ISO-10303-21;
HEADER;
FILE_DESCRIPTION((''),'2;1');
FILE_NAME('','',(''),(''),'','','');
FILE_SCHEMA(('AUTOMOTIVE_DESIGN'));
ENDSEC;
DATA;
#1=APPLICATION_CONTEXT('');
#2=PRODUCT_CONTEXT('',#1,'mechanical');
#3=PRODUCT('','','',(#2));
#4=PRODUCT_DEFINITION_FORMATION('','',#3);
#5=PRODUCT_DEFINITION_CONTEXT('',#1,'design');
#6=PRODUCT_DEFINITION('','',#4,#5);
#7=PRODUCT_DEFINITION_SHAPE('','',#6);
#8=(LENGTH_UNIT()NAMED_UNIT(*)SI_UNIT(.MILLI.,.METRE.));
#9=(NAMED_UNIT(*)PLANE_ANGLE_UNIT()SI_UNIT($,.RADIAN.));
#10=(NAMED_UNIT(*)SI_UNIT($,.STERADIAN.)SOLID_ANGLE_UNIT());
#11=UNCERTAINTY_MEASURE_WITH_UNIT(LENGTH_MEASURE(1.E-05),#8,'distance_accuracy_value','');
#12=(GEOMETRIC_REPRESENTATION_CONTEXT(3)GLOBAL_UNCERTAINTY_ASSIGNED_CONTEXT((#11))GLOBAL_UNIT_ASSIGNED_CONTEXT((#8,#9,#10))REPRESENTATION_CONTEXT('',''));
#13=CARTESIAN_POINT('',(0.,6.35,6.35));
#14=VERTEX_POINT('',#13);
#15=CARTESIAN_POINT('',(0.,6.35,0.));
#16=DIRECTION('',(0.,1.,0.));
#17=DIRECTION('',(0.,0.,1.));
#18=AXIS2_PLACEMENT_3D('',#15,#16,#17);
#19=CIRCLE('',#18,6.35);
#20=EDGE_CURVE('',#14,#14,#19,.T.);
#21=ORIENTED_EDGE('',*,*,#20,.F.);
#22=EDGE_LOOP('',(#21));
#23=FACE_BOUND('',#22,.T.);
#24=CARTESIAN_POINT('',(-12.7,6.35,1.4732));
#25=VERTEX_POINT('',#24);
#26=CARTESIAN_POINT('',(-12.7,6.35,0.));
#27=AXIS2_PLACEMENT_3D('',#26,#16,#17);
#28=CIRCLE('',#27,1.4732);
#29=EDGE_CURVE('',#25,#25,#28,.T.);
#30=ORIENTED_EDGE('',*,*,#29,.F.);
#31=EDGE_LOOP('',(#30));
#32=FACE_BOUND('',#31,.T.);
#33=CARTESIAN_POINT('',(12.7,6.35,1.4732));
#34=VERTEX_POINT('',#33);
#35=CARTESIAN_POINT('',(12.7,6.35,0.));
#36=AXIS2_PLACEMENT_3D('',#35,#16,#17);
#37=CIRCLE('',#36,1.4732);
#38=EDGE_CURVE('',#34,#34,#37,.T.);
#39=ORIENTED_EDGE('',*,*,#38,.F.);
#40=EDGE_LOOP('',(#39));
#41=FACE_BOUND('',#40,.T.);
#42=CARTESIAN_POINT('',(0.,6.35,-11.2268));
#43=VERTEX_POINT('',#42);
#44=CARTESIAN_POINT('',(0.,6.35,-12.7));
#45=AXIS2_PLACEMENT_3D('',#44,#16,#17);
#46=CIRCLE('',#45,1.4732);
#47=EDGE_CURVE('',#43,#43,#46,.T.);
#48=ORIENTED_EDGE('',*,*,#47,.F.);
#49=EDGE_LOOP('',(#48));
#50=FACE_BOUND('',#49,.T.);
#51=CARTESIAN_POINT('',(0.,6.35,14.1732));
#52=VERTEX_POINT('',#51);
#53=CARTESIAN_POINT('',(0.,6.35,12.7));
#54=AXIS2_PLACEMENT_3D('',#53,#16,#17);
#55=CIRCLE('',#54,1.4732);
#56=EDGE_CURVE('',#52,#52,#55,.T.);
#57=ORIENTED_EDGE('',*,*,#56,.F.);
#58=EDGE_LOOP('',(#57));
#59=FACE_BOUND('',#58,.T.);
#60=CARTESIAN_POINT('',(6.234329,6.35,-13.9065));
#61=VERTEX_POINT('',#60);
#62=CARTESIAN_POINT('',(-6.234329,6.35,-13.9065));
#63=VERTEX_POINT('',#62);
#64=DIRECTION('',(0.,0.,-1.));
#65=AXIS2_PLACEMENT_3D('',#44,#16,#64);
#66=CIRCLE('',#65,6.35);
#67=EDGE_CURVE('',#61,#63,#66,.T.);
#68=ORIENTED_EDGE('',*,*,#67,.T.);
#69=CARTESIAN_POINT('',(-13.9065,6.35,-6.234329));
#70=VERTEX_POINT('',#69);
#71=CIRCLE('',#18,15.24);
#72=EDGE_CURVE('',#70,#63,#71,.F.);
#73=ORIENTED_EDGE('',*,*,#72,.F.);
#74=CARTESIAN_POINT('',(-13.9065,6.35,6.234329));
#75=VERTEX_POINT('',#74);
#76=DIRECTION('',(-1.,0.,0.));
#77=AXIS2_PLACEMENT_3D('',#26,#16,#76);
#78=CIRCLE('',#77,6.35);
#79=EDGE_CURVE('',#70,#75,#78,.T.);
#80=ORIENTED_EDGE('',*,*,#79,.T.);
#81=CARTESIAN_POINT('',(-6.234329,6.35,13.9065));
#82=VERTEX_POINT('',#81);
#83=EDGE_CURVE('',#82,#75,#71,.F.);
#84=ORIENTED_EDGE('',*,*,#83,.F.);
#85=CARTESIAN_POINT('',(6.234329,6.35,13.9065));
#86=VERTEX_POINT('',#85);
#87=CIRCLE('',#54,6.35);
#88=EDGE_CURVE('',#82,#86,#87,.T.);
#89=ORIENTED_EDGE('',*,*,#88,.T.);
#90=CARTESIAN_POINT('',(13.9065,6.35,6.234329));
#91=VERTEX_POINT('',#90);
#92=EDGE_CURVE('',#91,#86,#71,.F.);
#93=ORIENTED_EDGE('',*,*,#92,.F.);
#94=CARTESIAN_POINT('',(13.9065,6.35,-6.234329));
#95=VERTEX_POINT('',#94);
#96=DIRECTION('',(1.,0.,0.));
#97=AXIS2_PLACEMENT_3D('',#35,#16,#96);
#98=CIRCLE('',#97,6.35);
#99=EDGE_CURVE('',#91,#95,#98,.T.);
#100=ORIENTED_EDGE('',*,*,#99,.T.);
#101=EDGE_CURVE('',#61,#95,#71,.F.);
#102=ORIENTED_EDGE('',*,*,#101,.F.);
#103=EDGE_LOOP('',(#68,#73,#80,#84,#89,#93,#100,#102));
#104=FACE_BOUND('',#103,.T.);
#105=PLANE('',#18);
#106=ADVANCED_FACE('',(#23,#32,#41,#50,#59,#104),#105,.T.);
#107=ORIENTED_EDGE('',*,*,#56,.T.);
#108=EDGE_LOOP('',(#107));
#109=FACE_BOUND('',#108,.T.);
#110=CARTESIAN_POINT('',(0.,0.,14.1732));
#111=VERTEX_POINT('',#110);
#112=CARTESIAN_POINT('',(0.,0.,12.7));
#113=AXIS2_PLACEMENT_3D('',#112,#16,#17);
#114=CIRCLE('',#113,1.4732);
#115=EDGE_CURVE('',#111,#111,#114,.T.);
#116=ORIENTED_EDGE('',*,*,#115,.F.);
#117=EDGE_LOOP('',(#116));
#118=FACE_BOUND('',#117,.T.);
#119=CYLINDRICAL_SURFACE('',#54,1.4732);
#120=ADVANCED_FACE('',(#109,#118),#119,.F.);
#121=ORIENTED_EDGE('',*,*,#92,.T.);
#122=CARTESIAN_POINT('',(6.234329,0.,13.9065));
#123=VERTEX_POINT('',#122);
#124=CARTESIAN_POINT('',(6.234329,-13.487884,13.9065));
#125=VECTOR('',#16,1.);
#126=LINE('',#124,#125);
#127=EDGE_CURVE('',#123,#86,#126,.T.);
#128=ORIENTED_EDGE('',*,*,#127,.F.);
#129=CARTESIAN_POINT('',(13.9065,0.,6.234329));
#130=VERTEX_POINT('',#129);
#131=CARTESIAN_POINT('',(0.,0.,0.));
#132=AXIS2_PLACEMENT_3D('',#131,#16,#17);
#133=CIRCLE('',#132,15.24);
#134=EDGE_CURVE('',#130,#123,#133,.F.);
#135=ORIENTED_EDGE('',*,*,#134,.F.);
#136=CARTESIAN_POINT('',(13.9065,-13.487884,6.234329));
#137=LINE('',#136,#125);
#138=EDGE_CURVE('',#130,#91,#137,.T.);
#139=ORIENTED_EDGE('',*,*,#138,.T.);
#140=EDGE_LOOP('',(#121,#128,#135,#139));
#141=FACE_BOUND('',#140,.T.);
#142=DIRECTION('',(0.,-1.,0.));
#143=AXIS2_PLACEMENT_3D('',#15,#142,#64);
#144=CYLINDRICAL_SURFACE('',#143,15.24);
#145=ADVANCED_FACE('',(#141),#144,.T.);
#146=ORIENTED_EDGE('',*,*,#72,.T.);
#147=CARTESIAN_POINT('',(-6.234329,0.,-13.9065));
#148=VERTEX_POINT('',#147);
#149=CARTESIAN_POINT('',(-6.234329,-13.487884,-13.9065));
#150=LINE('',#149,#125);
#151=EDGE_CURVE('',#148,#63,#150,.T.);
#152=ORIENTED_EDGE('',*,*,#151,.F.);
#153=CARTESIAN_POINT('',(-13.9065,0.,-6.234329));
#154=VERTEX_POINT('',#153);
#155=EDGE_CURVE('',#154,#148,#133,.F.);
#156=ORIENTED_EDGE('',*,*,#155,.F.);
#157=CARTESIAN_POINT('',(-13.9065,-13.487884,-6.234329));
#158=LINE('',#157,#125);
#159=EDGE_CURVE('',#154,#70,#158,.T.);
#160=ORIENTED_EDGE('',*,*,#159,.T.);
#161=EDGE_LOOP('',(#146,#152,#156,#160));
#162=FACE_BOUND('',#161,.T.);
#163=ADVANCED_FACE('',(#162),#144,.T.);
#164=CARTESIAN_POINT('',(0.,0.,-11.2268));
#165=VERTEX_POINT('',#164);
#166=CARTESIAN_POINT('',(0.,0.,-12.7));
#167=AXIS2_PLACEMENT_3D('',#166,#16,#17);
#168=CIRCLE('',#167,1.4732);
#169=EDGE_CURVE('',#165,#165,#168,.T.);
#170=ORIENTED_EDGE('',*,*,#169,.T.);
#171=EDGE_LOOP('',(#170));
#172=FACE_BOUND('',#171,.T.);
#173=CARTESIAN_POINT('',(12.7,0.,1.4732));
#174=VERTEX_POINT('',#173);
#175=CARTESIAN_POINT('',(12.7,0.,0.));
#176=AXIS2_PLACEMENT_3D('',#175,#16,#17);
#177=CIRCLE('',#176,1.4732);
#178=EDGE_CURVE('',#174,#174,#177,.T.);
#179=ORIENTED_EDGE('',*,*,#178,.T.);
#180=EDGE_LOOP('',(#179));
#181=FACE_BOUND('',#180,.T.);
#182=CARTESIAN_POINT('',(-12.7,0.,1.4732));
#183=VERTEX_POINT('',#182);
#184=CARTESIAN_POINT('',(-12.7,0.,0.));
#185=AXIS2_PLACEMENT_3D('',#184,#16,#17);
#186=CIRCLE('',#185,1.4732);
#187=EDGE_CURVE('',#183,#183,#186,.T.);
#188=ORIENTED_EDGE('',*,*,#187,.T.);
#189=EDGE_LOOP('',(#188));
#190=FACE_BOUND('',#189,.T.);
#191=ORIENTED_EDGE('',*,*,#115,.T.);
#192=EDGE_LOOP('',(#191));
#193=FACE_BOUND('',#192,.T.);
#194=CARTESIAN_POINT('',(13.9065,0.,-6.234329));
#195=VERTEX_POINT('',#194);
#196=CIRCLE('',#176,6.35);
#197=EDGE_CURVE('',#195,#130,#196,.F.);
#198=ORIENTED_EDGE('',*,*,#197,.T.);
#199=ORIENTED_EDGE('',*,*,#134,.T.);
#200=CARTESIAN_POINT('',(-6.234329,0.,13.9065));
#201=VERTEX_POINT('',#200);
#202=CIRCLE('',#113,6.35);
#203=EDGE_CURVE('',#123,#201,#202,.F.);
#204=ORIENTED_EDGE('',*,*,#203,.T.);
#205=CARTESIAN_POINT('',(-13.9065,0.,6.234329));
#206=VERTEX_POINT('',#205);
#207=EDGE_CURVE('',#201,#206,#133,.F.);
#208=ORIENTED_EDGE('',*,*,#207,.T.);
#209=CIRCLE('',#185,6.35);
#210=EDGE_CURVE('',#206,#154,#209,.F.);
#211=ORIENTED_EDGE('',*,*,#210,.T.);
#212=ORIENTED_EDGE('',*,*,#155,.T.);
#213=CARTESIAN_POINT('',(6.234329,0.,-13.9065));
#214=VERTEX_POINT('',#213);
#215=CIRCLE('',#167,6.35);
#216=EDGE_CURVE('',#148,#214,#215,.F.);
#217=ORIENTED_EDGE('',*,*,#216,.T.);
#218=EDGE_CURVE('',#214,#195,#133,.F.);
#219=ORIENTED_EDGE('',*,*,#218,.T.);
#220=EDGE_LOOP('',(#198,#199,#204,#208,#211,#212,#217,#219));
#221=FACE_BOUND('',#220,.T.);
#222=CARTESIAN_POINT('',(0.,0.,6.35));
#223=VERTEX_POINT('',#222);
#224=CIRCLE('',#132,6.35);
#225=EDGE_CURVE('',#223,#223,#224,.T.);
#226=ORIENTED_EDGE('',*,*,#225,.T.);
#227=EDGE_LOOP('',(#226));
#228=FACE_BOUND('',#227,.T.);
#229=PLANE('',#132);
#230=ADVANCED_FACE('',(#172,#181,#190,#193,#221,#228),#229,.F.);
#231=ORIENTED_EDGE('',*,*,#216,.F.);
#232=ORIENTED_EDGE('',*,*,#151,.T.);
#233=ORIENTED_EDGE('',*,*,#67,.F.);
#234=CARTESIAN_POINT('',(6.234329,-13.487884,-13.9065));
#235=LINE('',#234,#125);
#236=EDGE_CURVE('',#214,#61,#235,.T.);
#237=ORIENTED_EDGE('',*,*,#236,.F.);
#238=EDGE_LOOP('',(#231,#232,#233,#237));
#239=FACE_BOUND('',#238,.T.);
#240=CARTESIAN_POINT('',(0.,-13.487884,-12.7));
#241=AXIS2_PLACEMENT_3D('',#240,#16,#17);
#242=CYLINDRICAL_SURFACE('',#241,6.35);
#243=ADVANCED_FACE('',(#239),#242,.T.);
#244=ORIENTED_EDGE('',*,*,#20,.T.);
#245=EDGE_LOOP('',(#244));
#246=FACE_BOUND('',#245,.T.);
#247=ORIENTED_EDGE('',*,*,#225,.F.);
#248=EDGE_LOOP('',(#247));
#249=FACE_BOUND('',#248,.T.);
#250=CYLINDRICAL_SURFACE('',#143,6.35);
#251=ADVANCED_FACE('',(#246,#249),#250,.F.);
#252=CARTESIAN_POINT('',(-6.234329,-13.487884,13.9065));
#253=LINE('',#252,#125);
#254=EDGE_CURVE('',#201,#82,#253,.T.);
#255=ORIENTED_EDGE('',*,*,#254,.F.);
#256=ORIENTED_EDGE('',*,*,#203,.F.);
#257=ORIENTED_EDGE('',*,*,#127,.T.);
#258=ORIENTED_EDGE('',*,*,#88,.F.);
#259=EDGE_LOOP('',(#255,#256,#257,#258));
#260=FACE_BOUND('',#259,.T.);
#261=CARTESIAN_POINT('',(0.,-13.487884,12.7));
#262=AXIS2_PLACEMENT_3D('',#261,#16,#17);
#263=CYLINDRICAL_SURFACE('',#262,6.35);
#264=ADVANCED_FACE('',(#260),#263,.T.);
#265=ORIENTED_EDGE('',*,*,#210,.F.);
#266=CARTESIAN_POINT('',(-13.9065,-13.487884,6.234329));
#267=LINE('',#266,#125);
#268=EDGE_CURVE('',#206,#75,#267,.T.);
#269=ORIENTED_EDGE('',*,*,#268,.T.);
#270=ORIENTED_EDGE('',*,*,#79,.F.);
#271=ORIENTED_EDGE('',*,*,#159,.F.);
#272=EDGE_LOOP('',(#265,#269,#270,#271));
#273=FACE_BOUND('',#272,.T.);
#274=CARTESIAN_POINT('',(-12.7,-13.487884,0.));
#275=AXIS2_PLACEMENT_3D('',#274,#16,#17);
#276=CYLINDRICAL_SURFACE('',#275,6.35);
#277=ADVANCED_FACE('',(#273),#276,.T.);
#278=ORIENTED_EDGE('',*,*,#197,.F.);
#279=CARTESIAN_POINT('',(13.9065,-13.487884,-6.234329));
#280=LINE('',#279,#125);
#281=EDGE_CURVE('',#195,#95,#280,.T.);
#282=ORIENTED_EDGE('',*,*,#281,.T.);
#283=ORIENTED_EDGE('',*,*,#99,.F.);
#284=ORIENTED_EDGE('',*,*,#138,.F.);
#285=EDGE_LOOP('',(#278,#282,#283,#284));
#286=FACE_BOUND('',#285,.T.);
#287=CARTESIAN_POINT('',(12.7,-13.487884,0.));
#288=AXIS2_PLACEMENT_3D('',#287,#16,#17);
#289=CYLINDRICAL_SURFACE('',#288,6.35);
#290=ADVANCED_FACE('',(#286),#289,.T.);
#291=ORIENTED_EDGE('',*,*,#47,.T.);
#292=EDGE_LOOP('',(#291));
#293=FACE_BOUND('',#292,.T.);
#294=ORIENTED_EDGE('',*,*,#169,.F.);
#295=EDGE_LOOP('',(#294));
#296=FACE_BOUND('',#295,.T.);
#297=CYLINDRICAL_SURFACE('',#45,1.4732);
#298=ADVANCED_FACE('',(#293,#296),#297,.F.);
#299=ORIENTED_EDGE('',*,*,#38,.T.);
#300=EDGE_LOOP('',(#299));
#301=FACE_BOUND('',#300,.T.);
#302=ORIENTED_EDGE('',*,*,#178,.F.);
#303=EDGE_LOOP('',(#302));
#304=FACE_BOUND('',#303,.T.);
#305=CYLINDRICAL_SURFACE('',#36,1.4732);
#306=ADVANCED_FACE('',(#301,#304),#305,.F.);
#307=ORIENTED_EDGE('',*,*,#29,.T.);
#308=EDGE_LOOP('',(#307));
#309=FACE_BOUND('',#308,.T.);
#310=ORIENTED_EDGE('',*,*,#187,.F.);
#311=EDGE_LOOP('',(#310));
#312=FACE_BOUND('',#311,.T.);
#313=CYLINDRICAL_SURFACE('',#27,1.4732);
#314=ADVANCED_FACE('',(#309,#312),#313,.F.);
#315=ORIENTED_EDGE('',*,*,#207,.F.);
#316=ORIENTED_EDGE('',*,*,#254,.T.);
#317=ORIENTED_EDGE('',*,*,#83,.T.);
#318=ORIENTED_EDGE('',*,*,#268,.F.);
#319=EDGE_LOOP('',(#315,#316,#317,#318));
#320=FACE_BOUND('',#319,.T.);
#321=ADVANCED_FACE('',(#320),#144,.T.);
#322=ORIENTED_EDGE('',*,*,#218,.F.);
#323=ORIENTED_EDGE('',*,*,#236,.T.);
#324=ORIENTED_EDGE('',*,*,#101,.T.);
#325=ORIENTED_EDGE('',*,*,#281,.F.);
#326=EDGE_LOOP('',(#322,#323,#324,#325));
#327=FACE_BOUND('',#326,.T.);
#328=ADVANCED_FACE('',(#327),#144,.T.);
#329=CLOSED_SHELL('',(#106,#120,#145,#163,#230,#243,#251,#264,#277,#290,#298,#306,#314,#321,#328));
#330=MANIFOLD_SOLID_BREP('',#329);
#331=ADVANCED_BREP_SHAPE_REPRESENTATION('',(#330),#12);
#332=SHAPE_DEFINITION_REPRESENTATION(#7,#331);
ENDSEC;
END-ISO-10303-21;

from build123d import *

# Parameters (mm, degrees)
SKETCH1_R                 = 15.24
SKETCH1_R_2               = 6.35
BOSS_EXTRUDE1_DEPTH       = 6.35
F_4_CLEARANCE_HOLE1_D     = 2.9464
F_4_CLEARANCE_HOLE1_DEPTH = 6.35
BOSS_EXTRUDE2_DEPTH       = 6.35
CIRPATTERN1_COUNT         = 4


with BuildPart() as part:
    # Sketch1 → Boss-Extrude1 (new body)
    with BuildSketch(Plane(origin=(0, 0, 0), x_dir=(1, 0, 0), z_dir=(0, 1, 0))):
        Circle(SKETCH1_R)
        Circle(SKETCH1_R_2, mode=Mode.SUBTRACT)
    extrude(amount=BOSS_EXTRUDE1_DEPTH)

    # #4 Clearance Hole1
    with Locations(Plane(origin=(-8.015495471, 6.35, -5.066061758), x_dir=(1, 0, 0), z_dir=(0, 1, 0))):
        with Locations((8.015495471, 7.633938242), (-4.684504529, -5.066061758), (20.715495471, -5.066061758), (8.015495471, -17.766061758)):
            Hole(F_4_CLEARANCE_HOLE1_D / 2, depth=F_4_CLEARANCE_HOLE1_DEPTH)

    # Sketch7 → Boss-Extrude2 (add)
    with BuildSketch(Plane(origin=(0, 6.35, 0), x_dir=(1, 0, 0), z_dir=(0, 1, 0))):
        with BuildLine():
            ThreePointArc((-6.234328974, 13.9065), (0, 19.05), (6.234328974, 13.9065))
            ThreePointArc((6.234328974, 13.9065), (0, 15.24), (-6.234328974, 13.9065))
        make_face()
    boss_extrude2 = extrude(amount=-BOSS_EXTRUDE2_DEPTH)

    # CirPattern1: Boss-Extrude2 ×4 about axis
    cirpattern1_axis = Axis((0, 0, 0), (0, 1, 0))
    for i in range(1, CIRPATTERN1_COUNT):
        add(boss_extrude2.rotate(cirpattern1_axis, i * 360 / CIRPATTERN1_COUNT))


solid = part.part
